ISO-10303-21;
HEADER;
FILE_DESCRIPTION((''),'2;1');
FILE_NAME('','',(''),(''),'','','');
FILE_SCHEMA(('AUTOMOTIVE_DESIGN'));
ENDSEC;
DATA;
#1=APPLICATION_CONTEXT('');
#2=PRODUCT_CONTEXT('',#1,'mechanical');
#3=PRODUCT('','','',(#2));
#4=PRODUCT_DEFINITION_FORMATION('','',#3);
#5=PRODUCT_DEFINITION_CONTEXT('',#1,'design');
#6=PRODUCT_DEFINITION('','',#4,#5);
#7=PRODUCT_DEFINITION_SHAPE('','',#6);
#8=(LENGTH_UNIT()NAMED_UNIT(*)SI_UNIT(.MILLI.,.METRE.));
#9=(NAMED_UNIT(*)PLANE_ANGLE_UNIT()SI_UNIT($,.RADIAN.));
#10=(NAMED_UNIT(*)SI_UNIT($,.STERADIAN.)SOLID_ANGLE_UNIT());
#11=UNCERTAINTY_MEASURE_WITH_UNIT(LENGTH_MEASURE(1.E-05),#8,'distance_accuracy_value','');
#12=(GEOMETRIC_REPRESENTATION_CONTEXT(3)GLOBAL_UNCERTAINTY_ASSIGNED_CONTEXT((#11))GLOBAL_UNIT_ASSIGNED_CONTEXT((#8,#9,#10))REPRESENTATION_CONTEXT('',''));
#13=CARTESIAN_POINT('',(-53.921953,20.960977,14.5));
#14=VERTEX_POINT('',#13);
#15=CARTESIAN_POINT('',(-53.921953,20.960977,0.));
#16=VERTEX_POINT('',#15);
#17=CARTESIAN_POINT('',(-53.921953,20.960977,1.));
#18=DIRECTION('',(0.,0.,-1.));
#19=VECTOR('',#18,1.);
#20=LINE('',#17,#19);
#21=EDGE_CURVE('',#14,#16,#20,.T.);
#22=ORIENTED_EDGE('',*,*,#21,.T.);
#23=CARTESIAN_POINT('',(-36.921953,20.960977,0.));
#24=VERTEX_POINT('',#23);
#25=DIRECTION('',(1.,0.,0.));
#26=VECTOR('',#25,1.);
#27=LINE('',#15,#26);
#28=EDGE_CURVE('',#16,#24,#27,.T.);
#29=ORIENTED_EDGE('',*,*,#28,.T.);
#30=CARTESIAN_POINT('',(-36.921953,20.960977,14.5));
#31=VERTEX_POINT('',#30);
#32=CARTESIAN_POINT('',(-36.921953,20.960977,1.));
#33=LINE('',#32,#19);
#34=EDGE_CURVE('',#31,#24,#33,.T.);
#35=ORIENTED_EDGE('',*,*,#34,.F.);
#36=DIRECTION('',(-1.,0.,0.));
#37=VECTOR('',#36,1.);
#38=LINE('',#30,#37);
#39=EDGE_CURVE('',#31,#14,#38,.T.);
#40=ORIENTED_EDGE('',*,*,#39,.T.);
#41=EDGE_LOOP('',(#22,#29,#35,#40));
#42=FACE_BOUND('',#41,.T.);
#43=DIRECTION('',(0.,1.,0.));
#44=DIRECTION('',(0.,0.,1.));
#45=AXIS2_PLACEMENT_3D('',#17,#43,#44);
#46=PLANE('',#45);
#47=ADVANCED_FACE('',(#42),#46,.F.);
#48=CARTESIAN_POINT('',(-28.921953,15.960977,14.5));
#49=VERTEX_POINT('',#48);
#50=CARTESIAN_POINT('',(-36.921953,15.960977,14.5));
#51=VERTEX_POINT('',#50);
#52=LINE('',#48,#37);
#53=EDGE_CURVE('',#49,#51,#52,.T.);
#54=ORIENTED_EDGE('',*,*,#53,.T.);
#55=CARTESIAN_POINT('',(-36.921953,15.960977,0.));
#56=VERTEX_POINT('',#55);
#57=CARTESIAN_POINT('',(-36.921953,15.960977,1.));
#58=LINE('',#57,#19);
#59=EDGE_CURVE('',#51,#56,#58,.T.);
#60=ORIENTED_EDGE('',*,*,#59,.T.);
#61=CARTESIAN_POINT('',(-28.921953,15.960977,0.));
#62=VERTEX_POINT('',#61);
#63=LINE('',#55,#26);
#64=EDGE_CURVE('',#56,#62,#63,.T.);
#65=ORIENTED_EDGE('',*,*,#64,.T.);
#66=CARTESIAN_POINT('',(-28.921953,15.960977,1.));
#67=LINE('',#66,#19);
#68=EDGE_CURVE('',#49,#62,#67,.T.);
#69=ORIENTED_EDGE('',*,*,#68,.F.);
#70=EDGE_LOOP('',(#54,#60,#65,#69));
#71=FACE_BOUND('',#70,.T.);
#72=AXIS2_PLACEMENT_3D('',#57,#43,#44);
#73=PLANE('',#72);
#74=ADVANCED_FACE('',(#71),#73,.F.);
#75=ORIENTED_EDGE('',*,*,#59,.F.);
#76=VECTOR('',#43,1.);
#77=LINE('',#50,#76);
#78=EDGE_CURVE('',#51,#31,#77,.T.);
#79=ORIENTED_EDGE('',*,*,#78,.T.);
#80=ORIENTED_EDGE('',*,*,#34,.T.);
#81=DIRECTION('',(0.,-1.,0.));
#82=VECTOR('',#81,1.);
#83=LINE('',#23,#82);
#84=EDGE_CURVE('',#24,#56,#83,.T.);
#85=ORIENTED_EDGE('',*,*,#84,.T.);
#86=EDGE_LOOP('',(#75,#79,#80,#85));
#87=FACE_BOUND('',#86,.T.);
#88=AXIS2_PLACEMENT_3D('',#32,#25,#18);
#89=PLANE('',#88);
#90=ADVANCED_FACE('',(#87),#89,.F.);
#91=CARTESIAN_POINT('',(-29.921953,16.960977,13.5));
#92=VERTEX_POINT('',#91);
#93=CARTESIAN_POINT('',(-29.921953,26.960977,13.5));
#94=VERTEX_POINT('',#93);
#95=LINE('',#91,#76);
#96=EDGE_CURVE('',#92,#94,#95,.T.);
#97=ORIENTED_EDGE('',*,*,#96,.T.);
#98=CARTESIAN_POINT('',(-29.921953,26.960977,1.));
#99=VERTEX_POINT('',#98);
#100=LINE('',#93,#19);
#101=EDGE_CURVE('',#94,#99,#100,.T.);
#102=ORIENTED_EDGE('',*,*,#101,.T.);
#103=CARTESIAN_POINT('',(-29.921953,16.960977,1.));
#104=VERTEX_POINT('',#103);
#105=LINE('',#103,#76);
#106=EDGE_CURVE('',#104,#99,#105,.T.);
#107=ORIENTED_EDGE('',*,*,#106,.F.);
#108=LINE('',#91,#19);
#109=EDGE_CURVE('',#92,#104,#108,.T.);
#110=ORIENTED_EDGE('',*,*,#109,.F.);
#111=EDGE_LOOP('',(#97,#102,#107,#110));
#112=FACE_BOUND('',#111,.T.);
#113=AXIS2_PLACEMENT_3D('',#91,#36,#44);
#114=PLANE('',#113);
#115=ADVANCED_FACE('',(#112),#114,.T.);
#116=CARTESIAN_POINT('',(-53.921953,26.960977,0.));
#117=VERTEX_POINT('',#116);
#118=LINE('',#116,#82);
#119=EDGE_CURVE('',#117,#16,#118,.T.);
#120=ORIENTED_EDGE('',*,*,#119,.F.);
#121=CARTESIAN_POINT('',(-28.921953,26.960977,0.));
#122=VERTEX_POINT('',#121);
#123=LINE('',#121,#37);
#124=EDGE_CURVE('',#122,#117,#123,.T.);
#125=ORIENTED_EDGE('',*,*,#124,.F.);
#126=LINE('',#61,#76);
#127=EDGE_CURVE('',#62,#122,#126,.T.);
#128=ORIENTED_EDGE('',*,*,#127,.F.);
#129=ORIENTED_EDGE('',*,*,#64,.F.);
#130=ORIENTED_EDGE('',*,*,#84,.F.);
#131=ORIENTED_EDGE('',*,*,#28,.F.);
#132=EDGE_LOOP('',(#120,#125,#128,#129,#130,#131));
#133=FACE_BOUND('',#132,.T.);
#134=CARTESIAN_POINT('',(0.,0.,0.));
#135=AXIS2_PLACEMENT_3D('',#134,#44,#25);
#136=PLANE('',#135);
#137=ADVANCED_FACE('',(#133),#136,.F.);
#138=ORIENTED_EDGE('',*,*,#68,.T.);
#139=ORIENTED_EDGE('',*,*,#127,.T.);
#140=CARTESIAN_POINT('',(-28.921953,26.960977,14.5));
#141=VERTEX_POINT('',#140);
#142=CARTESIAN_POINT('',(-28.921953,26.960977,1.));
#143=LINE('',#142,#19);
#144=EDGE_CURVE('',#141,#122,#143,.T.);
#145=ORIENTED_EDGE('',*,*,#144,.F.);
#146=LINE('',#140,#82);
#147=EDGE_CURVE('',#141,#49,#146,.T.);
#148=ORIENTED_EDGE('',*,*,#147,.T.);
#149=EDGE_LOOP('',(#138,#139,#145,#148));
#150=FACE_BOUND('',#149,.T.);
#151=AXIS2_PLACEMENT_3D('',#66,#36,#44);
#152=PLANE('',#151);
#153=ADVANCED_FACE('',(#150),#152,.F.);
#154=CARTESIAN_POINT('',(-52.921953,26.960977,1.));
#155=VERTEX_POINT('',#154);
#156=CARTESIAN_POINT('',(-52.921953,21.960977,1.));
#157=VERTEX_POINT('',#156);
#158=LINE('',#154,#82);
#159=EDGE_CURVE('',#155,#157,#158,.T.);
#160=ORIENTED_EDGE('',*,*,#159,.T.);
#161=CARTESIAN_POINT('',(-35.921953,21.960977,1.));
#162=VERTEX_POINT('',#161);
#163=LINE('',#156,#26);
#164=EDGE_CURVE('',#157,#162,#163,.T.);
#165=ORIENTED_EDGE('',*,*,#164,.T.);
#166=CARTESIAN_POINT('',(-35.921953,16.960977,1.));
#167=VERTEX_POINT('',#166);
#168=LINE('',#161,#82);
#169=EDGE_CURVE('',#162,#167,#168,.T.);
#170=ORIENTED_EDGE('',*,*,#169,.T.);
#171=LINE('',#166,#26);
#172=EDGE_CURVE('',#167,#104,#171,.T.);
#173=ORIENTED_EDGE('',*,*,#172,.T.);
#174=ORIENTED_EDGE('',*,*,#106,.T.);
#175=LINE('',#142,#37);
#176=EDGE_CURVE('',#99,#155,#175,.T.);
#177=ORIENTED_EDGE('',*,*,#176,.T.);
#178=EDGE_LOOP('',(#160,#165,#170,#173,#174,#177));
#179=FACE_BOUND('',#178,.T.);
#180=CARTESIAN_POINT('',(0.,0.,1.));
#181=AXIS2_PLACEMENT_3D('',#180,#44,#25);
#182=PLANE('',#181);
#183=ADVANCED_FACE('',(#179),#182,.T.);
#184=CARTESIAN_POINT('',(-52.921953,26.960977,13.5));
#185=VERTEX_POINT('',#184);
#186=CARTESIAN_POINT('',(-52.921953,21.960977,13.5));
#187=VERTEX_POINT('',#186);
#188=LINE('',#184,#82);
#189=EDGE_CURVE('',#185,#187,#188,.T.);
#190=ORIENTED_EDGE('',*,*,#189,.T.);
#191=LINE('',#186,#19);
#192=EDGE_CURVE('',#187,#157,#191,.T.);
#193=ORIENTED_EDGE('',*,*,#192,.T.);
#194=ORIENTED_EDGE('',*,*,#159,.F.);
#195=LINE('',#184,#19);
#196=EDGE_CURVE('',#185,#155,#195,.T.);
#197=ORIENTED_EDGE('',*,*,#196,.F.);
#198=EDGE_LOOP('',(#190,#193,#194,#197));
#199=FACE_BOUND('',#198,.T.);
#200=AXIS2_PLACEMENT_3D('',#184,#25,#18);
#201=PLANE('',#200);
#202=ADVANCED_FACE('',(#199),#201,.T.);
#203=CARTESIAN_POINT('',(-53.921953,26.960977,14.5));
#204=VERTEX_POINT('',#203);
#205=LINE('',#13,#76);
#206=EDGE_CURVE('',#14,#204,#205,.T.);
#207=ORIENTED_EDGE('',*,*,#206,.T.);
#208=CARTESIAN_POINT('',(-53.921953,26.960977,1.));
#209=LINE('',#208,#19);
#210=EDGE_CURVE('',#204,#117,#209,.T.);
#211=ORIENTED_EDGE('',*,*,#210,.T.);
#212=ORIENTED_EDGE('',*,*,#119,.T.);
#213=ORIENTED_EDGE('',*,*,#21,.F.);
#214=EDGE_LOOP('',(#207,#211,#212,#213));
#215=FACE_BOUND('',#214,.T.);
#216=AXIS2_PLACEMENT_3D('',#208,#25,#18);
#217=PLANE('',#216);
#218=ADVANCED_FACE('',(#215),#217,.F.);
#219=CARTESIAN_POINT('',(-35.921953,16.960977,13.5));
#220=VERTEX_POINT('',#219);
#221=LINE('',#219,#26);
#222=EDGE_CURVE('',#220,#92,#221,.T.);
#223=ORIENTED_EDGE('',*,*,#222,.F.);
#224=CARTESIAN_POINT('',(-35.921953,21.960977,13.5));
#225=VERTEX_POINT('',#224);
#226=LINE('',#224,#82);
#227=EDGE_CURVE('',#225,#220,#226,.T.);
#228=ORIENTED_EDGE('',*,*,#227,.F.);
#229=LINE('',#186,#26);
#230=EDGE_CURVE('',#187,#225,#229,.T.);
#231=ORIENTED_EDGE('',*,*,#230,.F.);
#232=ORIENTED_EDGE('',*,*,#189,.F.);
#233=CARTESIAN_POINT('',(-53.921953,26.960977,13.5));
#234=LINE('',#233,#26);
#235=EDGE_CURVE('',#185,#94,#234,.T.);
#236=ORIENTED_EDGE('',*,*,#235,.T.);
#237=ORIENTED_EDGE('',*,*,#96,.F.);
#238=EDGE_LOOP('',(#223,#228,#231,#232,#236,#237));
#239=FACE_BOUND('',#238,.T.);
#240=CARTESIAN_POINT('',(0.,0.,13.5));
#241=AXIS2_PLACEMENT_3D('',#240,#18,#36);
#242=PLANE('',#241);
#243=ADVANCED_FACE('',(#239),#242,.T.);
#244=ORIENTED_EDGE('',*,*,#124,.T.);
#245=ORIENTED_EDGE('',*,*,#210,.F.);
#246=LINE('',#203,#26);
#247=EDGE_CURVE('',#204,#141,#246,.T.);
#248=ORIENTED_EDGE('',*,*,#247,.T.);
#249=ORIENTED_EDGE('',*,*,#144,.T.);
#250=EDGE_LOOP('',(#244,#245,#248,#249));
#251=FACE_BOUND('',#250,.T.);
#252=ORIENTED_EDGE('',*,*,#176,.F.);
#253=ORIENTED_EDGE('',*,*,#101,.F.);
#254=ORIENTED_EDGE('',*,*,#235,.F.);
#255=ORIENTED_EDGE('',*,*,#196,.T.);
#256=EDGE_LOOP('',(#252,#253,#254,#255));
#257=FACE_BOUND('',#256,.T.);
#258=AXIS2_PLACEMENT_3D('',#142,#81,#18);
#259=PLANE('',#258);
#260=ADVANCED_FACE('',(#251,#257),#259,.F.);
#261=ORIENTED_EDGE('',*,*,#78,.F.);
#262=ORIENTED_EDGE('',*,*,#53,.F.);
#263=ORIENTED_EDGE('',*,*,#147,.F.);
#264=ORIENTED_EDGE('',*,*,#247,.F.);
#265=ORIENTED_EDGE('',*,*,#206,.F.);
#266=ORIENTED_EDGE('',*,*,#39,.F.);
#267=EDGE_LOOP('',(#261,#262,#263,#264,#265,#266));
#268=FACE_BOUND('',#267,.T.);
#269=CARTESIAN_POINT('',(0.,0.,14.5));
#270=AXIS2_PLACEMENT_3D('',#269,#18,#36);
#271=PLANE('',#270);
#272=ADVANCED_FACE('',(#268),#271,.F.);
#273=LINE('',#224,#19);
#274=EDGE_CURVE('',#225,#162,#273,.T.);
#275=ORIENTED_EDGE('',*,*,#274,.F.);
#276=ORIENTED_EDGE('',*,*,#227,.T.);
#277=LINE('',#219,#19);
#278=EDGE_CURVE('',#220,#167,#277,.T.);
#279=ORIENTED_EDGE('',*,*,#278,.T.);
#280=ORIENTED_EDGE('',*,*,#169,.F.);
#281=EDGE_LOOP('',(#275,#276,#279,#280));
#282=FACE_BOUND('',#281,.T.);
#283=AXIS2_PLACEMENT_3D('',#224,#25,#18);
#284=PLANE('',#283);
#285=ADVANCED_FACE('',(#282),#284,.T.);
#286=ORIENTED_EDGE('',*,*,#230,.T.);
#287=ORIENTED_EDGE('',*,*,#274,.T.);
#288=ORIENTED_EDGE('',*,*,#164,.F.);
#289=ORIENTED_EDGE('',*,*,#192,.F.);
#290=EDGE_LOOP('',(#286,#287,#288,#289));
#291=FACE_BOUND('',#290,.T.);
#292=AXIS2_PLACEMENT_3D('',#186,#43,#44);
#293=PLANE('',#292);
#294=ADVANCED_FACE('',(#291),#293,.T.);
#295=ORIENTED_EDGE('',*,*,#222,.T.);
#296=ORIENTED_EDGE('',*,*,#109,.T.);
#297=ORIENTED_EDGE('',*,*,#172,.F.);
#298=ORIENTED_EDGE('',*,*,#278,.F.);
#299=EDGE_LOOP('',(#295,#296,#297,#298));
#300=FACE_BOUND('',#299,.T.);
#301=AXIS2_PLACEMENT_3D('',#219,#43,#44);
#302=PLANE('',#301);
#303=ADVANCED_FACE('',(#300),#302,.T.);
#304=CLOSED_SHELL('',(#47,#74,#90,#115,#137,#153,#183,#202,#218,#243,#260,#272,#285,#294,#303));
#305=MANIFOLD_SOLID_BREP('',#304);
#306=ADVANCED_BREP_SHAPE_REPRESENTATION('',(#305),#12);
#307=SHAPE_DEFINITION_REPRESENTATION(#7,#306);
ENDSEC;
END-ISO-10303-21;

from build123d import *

# Parameters (mm, degrees)
EXTRUDE_1_DEPTH = 1
EXTRUDE_2_DEPTH = 12.5
EXTRUDE_4_DEPTH = 1


with BuildPart() as part:
    # 草图1 → 凸台-拉伸1 (new body)
    with BuildSketch(Plane.XY):
        Polygon((-53.921953221, 26.960976611), (-53.921953221, 20.960976611), (-36.921953221, 20.960976611), (-36.921953221, 15.960976611), (-28.921953221, 15.960976611), (-28.921953221, 26.960976611), align=None)
    extrude(amount=EXTRUDE_1_DEPTH)

    # 草图2 → 凸台-拉伸2 (add)
    with BuildSketch(Plane.XY.offset(1)):
        Polygon((-53.921953221, 26.960976611), (-52.921953221, 26.960976611), (-52.921953221, 21.960976611), (-35.921953221, 21.960976611), (-35.921953221, 16.960976611), (-29.921953221, 16.960976611), (-29.921953221, 26.960976611), (-28.921953221, 26.960976611), (-28.921953221, 15.960976611), (-36.921953221, 15.960976611), (-36.921953221, 20.960976611), (-53.921953221, 20.960976611), align=None)
    extrude(amount=EXTRUDE_2_DEPTH)

    # 草图4 → 凸台-拉伸4 (add)
    with BuildSketch(Plane.XY.offset(13.5)):
        Polygon((-53.921953221, 26.960976611), (-28.921953221, 26.960976611), (-28.921953221, 15.960976611), (-36.921953221, 15.960976611), (-36.921953221, 20.960976611), (-53.921953221, 20.960976611), align=None)
    extrude(amount=EXTRUDE_4_DEPTH)


solid = part.part
